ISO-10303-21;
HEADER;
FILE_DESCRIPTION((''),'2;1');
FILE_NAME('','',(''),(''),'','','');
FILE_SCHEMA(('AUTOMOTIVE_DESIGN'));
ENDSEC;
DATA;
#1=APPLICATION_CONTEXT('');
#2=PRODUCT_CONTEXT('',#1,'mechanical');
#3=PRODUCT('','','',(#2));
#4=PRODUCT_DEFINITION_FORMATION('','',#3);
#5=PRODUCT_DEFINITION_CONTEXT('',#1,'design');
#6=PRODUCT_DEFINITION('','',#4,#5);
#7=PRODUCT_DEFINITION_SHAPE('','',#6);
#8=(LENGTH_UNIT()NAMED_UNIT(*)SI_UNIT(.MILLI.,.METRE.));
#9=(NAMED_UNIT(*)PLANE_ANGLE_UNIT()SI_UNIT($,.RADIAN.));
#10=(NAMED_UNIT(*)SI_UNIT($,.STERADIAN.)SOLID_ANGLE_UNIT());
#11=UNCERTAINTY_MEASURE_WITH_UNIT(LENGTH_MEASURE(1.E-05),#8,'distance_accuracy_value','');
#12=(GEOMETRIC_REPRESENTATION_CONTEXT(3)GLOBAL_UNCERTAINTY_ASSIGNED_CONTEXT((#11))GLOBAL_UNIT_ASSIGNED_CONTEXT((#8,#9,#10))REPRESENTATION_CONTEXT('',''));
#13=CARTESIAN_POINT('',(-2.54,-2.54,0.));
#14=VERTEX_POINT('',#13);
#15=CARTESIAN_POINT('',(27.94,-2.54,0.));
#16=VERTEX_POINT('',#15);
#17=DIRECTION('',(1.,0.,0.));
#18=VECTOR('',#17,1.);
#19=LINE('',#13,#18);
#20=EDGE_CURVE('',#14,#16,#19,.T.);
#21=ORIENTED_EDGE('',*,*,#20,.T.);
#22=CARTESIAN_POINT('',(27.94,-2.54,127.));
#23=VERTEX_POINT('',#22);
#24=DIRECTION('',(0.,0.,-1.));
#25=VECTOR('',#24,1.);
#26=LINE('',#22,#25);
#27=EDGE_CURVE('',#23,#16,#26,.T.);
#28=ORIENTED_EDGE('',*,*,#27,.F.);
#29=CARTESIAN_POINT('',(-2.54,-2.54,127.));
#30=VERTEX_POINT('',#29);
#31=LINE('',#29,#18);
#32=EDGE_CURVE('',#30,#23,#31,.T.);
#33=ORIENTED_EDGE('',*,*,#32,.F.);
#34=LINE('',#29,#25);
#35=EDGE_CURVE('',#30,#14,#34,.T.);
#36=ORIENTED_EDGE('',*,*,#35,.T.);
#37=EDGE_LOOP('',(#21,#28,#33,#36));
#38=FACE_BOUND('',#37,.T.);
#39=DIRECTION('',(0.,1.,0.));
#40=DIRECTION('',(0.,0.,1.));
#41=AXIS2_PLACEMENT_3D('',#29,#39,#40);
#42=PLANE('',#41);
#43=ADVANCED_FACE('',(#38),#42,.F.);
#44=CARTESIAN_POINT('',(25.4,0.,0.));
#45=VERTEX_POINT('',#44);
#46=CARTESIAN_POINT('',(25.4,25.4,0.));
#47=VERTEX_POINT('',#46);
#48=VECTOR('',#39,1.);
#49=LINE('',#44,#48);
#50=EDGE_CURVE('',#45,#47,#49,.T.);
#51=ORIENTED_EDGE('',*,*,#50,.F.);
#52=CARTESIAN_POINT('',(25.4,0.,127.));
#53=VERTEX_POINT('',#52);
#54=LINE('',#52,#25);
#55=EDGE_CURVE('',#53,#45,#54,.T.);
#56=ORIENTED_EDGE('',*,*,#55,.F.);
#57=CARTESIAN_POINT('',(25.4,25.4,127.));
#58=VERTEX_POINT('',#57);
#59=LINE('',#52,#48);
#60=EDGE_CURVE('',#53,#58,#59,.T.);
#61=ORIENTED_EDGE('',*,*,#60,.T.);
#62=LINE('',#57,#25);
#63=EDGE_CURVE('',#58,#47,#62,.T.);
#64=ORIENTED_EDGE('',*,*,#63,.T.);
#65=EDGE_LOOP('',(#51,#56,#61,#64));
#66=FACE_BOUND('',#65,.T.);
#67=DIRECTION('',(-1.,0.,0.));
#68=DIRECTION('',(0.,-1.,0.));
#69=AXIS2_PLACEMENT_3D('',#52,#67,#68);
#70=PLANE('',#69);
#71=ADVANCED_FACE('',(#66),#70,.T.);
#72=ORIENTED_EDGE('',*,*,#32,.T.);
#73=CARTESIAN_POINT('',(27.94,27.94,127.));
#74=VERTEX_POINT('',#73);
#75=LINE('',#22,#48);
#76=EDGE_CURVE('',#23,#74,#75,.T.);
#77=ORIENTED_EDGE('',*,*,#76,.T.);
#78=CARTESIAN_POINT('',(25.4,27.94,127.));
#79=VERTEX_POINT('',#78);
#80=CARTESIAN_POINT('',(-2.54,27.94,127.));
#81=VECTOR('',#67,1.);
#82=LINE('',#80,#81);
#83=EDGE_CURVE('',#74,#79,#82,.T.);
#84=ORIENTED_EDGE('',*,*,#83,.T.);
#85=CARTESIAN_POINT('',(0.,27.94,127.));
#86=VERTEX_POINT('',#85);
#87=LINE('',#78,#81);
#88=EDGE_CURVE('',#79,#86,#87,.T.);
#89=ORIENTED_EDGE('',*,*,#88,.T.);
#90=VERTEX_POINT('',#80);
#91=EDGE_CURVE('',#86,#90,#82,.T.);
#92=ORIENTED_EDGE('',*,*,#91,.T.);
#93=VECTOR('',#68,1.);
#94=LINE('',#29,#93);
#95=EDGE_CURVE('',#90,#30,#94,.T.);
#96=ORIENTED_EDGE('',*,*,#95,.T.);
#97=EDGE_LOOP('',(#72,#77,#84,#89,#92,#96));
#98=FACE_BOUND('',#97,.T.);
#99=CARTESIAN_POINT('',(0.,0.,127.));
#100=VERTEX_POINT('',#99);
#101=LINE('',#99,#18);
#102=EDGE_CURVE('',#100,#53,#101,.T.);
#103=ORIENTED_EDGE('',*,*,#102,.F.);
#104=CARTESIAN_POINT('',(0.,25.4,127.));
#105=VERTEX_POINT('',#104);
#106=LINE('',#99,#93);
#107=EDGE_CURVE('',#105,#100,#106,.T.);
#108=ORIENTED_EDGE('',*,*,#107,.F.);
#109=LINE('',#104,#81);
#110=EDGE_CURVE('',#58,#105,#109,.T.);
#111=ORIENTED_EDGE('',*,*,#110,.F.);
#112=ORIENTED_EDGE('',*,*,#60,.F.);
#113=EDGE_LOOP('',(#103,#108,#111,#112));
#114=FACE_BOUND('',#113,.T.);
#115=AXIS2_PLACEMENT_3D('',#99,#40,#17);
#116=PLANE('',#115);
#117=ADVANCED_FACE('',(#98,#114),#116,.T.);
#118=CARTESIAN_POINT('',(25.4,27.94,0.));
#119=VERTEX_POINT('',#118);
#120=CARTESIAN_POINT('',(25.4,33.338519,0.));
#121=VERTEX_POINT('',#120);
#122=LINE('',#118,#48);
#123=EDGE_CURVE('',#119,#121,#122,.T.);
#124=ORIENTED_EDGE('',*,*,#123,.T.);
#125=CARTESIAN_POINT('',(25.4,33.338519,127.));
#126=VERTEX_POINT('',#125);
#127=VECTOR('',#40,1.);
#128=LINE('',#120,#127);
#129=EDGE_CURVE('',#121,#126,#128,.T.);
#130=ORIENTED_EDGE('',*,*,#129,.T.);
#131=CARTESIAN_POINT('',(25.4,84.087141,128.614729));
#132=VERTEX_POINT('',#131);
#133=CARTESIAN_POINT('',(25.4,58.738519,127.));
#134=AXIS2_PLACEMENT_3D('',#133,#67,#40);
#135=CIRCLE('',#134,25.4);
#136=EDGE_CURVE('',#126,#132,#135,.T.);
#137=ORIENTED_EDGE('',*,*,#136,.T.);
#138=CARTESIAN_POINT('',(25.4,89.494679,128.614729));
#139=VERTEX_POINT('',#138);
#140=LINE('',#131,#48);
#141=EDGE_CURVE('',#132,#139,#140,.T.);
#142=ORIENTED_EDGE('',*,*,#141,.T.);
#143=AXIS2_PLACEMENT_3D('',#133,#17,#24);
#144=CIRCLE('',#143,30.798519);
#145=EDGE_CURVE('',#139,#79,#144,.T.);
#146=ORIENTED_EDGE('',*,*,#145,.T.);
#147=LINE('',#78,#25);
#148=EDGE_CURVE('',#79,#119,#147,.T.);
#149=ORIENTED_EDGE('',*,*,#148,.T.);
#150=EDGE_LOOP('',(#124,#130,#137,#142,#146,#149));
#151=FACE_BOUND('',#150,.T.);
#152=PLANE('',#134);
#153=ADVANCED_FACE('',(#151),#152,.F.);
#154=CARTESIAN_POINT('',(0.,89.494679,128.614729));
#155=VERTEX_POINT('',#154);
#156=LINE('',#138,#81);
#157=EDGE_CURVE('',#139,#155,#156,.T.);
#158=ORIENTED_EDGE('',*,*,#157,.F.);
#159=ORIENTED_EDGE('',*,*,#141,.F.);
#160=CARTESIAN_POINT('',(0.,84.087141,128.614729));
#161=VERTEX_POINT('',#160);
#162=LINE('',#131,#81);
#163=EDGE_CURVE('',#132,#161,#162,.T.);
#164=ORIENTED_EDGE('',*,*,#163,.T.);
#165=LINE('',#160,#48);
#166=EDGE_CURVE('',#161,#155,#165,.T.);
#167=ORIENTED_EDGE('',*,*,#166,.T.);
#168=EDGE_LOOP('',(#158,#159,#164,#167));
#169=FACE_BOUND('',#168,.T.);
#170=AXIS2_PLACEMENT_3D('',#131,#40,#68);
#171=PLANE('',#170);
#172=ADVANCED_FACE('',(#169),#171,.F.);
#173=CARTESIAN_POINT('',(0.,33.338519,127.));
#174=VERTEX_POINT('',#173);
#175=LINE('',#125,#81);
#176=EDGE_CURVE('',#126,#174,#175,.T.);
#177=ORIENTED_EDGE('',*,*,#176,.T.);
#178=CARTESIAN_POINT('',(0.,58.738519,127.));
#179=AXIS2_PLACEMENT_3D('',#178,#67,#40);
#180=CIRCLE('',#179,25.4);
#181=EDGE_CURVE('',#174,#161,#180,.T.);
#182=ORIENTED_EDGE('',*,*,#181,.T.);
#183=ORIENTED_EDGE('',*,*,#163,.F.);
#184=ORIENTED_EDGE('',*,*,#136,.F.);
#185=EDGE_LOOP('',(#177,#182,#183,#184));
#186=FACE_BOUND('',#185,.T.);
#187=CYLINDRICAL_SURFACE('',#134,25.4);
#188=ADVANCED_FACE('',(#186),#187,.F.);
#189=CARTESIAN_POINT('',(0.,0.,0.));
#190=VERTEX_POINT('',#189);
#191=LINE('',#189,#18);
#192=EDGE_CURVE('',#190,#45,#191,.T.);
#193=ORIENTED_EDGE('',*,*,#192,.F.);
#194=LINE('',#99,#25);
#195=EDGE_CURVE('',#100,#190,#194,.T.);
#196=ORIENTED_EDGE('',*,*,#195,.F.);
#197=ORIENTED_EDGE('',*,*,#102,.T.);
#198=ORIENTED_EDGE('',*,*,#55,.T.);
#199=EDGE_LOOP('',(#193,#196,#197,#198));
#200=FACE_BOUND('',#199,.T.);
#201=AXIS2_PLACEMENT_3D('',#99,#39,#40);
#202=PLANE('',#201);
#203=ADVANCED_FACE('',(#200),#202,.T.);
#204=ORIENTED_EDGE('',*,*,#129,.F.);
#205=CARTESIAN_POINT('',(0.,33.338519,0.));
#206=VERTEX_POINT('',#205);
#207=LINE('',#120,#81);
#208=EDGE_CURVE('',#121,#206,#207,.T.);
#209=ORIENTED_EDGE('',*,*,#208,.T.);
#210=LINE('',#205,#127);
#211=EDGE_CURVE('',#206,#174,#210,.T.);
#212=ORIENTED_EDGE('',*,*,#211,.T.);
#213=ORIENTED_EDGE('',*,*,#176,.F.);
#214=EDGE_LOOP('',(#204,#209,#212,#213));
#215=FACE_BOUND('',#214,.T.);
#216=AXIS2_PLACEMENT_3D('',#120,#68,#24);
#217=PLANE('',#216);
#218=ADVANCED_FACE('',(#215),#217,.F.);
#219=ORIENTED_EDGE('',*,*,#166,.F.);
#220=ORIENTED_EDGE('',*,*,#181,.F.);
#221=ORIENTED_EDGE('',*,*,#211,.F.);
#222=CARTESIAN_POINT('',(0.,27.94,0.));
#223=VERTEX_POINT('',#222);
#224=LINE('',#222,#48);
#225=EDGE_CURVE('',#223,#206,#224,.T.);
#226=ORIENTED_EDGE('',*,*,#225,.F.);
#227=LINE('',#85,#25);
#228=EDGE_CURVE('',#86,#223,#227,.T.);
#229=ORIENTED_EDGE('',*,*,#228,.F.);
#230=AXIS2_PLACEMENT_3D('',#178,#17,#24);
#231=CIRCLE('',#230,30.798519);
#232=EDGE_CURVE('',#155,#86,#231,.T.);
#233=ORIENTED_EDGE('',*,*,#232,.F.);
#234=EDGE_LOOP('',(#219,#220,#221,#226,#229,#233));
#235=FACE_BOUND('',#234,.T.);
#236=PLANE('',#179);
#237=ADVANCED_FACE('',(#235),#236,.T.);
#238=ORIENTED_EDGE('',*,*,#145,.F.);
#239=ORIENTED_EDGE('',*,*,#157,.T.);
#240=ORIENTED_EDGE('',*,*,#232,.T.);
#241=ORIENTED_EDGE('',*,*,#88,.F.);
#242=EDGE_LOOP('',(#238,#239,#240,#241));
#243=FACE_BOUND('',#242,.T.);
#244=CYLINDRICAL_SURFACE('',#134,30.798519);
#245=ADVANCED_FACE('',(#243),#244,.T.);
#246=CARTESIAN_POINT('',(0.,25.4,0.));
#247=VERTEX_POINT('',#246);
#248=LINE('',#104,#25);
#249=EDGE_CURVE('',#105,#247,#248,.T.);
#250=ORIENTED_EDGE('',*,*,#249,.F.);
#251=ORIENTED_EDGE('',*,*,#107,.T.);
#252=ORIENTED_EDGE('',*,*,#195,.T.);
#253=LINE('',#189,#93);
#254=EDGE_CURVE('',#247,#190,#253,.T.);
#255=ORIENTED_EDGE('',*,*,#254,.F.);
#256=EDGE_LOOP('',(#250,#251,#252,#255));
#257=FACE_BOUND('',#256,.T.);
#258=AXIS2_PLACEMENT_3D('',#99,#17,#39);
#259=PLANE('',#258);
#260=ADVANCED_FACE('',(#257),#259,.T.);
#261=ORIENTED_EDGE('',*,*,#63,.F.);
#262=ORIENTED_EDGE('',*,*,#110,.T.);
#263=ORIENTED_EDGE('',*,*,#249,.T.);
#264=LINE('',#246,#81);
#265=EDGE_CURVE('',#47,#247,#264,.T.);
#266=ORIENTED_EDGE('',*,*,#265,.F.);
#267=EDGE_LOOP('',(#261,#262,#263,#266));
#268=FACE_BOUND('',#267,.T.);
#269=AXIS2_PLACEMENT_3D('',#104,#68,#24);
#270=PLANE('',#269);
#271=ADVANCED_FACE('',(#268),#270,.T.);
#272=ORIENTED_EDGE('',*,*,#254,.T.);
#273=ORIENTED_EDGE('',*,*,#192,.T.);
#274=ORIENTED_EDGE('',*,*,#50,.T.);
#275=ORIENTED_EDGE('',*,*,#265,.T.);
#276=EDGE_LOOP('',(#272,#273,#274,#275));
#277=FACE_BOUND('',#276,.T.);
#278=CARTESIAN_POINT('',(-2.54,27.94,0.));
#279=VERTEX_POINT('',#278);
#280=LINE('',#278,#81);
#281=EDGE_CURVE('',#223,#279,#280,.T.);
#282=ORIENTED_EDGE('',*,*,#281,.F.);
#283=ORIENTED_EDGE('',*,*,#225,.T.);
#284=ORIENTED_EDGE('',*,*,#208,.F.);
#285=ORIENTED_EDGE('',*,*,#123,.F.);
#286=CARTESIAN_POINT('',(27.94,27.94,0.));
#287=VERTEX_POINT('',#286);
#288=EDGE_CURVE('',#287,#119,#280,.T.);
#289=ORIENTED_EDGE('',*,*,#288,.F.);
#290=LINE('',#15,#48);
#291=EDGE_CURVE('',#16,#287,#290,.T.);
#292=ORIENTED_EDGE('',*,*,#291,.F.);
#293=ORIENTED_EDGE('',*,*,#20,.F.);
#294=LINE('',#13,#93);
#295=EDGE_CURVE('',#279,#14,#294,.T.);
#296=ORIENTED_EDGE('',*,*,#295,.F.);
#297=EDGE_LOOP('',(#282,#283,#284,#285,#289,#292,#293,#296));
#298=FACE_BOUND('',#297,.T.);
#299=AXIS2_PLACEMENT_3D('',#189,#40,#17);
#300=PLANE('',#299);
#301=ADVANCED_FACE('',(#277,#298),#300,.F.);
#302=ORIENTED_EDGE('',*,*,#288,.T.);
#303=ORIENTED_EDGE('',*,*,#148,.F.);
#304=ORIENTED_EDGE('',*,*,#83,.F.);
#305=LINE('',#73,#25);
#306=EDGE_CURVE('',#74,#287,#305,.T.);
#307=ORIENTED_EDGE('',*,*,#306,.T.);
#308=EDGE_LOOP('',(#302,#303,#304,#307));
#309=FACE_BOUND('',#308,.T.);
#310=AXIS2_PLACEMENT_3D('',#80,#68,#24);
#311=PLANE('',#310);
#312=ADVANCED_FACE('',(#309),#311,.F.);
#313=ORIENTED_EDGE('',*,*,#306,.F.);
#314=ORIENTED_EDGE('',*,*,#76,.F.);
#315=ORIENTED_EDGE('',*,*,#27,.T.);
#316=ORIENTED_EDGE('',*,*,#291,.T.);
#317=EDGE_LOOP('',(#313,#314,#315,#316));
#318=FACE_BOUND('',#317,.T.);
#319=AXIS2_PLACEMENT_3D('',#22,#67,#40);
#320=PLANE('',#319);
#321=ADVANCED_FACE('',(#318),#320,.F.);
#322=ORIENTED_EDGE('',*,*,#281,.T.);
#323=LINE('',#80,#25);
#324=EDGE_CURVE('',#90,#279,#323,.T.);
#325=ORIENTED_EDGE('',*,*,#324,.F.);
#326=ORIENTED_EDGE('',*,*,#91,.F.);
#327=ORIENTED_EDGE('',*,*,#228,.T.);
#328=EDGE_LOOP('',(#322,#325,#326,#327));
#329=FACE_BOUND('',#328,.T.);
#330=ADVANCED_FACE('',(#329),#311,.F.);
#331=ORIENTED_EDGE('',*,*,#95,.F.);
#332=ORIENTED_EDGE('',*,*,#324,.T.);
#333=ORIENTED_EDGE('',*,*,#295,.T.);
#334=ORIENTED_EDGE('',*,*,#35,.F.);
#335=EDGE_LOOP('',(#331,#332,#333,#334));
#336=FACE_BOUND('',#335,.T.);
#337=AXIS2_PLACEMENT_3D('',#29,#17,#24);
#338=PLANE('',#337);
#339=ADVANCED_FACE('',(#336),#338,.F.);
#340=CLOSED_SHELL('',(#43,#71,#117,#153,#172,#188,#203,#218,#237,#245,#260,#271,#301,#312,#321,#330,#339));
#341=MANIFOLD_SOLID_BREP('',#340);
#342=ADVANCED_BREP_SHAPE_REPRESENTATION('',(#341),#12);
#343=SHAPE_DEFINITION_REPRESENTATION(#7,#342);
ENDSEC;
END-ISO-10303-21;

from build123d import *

# Parameters (mm, degrees)
SKETCH1_W           = 30.48
SKETCH1_H           = 30.48
SKETCH1_W_2         = 25.4
SKETCH1_H_2         = 25.4
BOSS_EXTRUDE1_DEPTH = 127
BOSS_EXTRUDE2_DEPTH = 12.7


with BuildPart() as part:
    # Sketch1 → Boss-Extrude1 (new body)
    with BuildSketch(Plane.XY):
        with Locations((12.7, 12.7)):
            Rectangle(SKETCH1_W, SKETCH1_H)
        with Locations((12.7, 12.7)):
            Rectangle(SKETCH1_W_2, SKETCH1_H_2, mode=Mode.SUBTRACT)
    extrude(amount=BOSS_EXTRUDE1_DEPTH)

    # Sketch2 → Boss-Extrude2 (add, symmetric)
    with BuildSketch(Plane(origin=(12.7, 0, 0), x_dir=(0, 0, -1), z_dir=(1, 0, 0))):
        with BuildLine():
            Line((0, 27.94), (0, 33.338518846))
            Line((0, 33.338518846), (-127, 33.338518846))
            ThreePointArc((-127, 33.338518846), (-152.387152316, 57.930745818), (-128.61472889, 84.087141109))
            Line((-128.61472889, 84.087141109), (-128.61472889, 89.494679428))
            ThreePointArc((-128.61472889, 89.494679428), (-157.787927459, 57.930876659), (-127, 27.94))
            Line((-127, 27.94), (0, 27.94))
        make_face()
    extrude(amount=BOSS_EXTRUDE2_DEPTH, both=True)


solid = part.part
